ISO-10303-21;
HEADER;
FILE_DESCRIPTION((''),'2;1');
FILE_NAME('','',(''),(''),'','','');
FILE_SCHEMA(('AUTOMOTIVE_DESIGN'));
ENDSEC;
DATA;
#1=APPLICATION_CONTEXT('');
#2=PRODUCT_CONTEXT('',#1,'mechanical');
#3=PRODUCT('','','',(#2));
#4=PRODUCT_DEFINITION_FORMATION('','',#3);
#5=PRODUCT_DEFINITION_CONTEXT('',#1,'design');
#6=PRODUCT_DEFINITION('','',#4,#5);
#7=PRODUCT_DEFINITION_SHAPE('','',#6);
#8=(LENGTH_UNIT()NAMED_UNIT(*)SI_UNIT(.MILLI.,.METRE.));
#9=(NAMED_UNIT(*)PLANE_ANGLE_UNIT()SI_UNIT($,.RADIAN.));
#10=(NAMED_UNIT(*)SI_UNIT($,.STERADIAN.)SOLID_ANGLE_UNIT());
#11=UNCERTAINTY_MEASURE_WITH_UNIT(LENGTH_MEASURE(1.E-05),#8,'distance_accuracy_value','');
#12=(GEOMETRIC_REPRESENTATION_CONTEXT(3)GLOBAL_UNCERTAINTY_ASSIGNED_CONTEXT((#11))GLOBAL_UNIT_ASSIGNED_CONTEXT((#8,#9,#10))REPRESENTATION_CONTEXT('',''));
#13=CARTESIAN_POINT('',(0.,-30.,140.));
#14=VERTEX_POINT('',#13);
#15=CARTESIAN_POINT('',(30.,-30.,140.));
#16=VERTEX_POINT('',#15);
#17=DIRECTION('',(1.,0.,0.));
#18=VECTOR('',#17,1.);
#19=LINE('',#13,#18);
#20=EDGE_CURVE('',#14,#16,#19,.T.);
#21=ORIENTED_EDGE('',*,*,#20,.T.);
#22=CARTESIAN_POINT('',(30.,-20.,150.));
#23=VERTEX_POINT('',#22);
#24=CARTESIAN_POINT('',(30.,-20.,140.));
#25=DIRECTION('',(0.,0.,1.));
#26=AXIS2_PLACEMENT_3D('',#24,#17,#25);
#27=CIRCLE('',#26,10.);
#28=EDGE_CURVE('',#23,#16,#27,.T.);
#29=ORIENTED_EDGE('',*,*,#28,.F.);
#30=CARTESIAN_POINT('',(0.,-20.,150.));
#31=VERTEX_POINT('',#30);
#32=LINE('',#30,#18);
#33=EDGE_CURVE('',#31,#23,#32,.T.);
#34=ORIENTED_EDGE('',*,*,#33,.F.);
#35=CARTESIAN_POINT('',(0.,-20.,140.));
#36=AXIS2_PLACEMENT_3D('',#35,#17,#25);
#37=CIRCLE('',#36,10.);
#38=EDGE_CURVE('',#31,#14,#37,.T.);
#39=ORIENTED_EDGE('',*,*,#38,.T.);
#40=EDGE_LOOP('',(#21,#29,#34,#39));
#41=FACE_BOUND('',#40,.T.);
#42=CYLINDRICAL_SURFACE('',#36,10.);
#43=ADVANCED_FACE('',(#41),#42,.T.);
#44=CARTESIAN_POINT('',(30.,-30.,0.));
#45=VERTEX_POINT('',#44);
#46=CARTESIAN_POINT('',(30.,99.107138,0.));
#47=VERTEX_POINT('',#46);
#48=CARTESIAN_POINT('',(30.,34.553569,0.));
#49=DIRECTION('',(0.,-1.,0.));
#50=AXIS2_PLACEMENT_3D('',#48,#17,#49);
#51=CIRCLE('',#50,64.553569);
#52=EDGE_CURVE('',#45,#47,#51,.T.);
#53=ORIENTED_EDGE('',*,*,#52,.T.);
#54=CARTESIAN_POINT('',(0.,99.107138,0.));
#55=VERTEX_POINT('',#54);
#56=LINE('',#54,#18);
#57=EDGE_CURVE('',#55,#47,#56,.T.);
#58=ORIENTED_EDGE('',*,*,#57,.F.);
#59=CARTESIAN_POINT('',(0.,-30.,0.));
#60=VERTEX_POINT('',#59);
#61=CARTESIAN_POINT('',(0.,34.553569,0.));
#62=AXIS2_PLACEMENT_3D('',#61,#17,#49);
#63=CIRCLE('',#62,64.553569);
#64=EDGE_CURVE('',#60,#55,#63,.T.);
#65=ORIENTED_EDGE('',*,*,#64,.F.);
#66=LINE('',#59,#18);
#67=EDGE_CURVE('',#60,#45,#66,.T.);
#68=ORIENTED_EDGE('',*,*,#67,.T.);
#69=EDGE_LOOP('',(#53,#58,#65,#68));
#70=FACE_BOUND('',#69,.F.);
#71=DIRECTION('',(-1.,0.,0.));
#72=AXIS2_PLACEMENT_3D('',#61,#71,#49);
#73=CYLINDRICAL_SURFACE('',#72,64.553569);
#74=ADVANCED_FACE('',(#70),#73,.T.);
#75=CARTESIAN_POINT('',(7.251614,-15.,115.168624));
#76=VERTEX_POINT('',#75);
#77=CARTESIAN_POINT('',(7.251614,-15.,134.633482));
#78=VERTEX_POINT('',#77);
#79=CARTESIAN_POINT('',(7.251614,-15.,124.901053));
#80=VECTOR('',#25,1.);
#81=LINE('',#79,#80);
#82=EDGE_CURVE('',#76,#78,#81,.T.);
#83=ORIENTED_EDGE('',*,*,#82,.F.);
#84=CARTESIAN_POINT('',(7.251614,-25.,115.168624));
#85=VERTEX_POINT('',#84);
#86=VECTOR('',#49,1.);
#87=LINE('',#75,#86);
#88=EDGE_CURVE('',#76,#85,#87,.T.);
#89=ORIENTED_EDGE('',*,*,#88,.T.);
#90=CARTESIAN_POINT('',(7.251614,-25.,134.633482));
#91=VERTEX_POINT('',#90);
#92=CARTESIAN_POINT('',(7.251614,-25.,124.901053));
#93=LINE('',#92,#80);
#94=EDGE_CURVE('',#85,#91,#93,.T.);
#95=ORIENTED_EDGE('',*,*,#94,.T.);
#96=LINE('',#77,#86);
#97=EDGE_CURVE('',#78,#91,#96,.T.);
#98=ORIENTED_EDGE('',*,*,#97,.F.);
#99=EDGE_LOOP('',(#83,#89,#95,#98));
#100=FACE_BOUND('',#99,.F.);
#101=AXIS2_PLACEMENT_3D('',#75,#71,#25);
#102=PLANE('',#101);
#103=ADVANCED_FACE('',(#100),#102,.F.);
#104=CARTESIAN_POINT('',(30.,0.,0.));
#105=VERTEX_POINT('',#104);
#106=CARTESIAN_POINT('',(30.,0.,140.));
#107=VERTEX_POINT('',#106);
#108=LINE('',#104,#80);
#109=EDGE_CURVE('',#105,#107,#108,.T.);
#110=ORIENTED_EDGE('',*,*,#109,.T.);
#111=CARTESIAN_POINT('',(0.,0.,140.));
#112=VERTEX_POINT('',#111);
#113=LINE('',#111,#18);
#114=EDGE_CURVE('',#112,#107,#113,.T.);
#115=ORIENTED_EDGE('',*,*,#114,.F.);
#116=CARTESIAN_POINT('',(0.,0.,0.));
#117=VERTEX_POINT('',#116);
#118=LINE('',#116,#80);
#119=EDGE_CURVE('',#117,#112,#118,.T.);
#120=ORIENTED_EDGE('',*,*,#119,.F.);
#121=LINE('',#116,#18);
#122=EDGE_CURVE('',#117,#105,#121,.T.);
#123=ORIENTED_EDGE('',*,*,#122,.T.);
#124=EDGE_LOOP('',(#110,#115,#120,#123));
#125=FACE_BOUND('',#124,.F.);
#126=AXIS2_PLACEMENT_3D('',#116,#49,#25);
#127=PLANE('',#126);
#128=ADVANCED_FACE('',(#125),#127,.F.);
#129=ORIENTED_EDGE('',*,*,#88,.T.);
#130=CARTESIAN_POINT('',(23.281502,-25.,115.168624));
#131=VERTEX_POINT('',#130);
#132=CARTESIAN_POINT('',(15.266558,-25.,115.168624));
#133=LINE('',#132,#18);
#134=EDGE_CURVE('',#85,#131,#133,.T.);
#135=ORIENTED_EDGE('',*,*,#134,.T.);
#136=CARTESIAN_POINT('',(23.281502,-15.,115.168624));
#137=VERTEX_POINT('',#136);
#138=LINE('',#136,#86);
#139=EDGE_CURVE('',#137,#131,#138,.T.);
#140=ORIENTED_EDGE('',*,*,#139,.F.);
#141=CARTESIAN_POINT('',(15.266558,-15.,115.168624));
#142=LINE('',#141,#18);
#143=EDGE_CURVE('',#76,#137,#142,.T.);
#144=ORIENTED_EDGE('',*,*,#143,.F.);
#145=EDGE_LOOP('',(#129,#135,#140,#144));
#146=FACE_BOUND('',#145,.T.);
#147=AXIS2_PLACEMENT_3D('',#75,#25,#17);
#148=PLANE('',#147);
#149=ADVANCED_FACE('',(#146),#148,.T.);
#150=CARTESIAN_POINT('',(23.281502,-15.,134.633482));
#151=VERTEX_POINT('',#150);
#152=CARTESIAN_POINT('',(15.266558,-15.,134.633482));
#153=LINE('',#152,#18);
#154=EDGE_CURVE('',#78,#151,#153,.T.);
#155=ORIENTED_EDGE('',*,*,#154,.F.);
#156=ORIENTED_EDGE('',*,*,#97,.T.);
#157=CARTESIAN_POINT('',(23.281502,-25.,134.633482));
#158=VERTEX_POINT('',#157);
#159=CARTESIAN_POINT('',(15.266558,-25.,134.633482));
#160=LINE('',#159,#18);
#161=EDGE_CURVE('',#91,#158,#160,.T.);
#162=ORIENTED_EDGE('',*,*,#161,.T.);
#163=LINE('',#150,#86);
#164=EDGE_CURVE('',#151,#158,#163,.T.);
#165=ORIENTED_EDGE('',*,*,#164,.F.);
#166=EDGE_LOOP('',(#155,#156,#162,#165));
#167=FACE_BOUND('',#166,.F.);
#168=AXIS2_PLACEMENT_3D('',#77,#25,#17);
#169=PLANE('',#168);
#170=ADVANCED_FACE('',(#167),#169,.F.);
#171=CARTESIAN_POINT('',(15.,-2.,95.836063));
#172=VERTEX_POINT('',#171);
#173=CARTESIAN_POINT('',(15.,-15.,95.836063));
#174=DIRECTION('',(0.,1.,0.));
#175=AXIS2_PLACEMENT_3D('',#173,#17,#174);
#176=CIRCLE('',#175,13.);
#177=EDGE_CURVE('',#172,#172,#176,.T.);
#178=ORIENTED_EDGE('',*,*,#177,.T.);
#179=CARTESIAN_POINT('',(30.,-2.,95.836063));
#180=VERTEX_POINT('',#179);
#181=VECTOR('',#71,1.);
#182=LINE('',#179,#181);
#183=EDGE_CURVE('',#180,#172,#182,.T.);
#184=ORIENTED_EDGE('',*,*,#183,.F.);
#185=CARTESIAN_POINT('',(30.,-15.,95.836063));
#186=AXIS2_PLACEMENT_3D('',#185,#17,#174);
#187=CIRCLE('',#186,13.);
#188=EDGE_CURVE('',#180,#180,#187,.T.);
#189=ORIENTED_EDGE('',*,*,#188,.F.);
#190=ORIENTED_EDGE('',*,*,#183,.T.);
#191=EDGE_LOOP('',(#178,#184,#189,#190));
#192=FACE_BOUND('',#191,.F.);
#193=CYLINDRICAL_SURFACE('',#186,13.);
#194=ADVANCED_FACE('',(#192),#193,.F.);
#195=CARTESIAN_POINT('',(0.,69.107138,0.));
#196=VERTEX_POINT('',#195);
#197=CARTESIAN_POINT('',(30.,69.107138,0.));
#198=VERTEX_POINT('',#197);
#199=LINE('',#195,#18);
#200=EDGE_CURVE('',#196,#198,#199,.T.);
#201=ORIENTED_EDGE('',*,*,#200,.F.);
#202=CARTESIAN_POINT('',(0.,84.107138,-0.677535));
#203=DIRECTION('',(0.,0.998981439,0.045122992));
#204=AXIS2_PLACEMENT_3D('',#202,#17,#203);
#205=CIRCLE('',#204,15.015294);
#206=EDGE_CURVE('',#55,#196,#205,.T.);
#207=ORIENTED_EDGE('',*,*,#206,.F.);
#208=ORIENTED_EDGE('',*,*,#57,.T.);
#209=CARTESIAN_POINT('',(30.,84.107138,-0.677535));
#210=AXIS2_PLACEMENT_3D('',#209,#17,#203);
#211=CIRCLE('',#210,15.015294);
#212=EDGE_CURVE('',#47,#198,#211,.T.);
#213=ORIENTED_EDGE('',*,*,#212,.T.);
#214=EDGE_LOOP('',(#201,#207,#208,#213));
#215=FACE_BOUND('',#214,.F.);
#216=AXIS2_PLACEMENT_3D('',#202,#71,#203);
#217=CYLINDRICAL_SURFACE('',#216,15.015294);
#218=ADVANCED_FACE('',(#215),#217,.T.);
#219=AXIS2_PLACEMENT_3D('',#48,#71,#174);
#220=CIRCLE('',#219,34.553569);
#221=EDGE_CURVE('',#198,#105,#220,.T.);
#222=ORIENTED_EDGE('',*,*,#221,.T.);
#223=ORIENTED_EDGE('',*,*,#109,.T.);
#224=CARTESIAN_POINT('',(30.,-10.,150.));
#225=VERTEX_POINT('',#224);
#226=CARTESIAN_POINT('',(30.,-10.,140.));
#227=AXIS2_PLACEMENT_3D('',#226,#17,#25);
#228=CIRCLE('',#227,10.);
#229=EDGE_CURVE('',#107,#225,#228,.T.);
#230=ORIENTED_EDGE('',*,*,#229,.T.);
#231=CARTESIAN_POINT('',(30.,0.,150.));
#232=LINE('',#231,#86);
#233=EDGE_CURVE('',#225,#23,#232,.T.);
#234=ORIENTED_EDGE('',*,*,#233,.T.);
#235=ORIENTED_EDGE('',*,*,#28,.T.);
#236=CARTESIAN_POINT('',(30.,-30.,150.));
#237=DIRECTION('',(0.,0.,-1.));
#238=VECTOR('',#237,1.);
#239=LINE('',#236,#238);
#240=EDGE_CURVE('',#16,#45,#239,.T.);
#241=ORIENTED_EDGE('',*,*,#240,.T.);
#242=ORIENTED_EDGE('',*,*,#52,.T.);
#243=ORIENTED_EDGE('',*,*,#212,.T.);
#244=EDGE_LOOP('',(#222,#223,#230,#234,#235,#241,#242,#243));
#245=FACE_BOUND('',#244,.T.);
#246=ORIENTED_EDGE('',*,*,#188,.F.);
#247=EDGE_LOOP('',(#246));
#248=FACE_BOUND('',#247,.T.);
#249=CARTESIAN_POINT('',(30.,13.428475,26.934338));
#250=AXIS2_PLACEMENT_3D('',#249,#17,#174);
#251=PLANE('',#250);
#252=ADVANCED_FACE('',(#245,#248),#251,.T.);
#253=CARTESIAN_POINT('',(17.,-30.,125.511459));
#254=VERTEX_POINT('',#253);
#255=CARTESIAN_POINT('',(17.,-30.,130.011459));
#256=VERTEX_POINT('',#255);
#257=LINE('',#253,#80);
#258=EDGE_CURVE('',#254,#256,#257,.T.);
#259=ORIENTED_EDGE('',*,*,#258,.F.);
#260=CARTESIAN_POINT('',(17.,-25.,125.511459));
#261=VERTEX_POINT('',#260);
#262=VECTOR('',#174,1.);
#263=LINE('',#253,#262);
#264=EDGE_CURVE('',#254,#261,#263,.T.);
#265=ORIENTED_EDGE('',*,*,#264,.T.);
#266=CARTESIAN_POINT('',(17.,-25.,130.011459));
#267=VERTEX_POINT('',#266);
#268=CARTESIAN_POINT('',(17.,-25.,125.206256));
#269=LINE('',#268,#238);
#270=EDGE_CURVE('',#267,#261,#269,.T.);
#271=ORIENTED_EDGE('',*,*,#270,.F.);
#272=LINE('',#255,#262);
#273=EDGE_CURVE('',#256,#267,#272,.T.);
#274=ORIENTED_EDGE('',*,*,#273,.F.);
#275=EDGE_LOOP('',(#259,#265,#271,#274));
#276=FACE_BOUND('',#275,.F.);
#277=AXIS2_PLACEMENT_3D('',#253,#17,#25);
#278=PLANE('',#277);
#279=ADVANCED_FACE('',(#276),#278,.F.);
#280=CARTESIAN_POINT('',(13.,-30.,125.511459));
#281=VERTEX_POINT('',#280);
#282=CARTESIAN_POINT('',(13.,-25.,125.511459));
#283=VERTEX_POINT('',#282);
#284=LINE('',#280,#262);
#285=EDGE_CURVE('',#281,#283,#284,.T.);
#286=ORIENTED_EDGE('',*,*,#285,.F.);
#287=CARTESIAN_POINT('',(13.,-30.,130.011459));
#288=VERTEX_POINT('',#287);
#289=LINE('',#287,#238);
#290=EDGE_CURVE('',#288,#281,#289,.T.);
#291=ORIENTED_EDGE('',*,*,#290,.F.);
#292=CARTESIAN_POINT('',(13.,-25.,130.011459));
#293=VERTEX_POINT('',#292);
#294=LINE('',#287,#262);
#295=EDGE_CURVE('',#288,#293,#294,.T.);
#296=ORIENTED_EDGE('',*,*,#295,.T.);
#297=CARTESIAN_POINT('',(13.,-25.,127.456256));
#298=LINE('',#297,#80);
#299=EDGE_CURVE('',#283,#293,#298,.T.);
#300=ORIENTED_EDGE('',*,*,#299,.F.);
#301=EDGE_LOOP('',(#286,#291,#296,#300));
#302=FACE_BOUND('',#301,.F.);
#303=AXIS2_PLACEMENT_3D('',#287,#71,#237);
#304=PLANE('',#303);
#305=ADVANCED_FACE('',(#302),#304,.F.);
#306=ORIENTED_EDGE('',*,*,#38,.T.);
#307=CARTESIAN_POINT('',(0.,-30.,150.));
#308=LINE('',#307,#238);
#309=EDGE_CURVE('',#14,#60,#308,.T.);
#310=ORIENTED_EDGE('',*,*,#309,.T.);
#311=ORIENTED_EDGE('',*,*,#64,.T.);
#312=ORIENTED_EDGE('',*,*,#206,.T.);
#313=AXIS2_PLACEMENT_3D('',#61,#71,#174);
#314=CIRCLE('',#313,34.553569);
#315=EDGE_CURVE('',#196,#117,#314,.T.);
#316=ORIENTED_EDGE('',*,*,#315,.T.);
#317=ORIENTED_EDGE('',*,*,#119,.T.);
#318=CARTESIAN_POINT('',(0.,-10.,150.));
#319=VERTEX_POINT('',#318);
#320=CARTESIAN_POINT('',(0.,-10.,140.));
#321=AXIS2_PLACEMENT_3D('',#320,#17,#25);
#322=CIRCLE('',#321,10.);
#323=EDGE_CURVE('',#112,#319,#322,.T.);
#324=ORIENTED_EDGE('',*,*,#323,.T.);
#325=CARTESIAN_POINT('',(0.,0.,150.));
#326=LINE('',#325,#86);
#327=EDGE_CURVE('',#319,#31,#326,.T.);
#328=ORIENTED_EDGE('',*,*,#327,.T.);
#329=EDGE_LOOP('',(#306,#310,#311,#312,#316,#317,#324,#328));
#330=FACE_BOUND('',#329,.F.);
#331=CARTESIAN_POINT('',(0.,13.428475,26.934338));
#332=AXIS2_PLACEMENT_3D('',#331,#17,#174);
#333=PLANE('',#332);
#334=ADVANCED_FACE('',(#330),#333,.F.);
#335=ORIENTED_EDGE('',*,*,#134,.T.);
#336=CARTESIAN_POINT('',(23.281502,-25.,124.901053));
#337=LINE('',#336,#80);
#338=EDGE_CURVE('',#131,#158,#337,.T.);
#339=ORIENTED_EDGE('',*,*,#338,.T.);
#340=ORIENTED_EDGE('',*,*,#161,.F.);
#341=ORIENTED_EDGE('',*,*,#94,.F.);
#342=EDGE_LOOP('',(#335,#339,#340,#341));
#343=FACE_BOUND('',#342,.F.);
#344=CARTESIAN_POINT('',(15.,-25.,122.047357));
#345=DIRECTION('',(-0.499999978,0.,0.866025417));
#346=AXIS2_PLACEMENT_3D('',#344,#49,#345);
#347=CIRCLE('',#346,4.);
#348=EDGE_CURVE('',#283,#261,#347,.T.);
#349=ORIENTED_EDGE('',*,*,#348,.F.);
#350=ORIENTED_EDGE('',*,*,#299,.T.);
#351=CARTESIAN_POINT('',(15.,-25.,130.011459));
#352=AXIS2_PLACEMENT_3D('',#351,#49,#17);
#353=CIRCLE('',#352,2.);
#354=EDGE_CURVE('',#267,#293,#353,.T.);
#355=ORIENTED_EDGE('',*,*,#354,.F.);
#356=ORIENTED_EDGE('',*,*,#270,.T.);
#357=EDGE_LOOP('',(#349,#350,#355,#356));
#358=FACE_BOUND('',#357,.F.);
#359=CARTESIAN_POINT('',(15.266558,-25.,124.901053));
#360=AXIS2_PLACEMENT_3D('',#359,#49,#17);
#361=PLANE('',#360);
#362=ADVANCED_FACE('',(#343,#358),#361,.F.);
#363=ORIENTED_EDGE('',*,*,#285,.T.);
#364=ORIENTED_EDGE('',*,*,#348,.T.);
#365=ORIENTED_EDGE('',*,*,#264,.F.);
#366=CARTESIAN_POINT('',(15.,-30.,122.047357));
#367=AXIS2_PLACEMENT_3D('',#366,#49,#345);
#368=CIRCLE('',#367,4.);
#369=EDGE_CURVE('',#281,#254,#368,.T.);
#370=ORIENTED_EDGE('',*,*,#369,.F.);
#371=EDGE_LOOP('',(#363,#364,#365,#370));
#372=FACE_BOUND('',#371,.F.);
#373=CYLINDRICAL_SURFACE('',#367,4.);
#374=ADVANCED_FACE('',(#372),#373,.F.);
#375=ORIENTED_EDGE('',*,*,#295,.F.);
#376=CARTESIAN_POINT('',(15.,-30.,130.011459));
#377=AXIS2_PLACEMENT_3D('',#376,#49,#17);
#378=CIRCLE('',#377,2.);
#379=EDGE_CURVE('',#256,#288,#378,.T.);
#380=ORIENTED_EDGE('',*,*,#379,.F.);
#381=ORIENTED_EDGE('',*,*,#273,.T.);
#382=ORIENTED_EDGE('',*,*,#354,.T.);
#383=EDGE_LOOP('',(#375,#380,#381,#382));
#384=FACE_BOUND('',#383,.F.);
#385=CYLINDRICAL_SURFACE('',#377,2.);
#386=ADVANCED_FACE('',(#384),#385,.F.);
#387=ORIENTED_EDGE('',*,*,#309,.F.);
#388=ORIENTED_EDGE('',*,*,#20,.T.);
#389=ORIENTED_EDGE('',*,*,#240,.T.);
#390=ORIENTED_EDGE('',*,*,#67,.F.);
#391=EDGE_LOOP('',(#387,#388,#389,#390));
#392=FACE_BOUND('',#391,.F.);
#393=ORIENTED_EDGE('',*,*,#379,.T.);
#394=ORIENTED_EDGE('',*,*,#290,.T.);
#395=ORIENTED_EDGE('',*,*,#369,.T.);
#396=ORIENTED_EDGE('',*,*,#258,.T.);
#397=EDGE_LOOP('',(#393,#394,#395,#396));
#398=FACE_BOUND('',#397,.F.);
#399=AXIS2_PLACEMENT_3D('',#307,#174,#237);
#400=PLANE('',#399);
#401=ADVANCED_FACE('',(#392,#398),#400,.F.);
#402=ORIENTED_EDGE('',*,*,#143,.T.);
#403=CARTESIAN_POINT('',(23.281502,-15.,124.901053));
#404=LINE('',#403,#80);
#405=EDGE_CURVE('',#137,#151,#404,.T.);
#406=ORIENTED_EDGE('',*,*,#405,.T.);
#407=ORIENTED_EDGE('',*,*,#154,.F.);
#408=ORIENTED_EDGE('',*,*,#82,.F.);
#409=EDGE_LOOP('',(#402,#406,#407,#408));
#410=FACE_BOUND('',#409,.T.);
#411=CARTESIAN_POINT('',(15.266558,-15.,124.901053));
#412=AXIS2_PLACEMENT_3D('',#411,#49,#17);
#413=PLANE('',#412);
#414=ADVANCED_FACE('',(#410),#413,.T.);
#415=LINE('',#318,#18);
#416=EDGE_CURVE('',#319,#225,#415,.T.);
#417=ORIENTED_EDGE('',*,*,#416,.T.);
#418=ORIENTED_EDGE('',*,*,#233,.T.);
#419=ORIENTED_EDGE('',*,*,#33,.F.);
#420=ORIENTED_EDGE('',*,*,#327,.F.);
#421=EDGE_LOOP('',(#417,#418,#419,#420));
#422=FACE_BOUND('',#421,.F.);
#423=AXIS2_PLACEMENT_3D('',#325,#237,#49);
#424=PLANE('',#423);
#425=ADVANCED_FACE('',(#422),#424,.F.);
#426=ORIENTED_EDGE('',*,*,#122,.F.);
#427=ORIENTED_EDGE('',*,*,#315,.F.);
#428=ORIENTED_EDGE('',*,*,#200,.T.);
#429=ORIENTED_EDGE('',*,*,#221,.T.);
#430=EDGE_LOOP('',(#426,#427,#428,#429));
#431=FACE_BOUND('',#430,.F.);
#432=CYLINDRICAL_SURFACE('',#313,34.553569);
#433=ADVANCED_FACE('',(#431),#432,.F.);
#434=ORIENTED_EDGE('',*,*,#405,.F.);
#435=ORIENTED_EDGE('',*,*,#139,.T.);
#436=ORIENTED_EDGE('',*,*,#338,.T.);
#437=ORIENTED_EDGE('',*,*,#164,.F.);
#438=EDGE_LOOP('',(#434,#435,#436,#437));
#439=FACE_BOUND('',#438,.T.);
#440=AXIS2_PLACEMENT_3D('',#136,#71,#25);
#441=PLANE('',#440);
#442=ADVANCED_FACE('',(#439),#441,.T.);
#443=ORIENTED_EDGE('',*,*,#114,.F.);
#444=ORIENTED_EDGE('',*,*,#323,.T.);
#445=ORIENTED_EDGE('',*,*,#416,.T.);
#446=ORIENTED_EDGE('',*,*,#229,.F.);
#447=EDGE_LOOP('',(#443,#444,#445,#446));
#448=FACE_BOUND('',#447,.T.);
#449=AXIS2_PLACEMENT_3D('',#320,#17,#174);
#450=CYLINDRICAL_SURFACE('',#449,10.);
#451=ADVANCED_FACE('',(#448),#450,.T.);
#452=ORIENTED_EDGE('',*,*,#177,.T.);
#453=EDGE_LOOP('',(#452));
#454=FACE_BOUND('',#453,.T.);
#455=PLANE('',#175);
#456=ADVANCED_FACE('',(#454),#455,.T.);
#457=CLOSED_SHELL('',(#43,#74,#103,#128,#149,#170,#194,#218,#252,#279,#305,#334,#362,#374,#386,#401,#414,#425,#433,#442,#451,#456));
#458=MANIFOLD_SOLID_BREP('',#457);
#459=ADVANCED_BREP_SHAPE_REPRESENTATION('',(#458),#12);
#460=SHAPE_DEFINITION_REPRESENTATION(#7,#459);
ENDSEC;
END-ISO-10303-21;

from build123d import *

# Parameters (mm, degrees)
F1_DEPTH = 30
F2_R     = 13
F3_DEPTH = 15
F5_DEPTH = 15
F6_W     = 16.029888
F6_H     = 19.464858
F7_DEPTH = 10
F8_R     = 10


with BuildPart() as f1:
    # F0 (on Right) → F1 (new body)
    with BuildSketch(Plane.YZ):
        with BuildLine():
            ThreePointArc((69.107138, 0), (34.553569, -34.553569), (0, 0))
            Line((0, 0), (0, 150))
            Line((0, 150), (-30, 150))
            Line((-30, 150), (-30, 0))
            ThreePointArc((-30, 0), (34.553569, -64.553569), (99.107138, 0))
            ThreePointArc((99.107138, 0), (84.107138, 14.337759), (69.107138, 0))
        make_face()
    extrude(amount=F1_DEPTH)

    # F2 (on face) → F3 (cut)
    with BuildSketch(Plane.YZ.offset(30)):
        with Locations((-15, 95.836063)):
            Circle(F2_R)
    extrude(amount=-F3_DEPTH, mode=Mode.SUBTRACT)

    # F4 (on face) → F5 (cut)
    with BuildSketch(Plane.XZ.offset(30)):
        with BuildLine():
            Line((13, 130.011459), (13, 125.511459))
            ThreePointArc((13, 125.511459), (15, 118.047357), (17, 125.511459))
            Line((17, 125.511459), (17, 130.011459))
            ThreePointArc((17, 130.011459), (15, 132.011459), (13, 130.011459))
        make_face()
    extrude(amount=-F5_DEPTH, mode=Mode.SUBTRACT)

    # F6 (on face) → F7 (cut)
    with BuildSketch(Plane.XZ.offset(15)):
        with Locations((15.266558, 124.901053)):
            Rectangle(F6_W, F6_H)
    extrude(amount=F7_DEPTH, mode=Mode.SUBTRACT)

    # F8
    f8_edges = [f1.edges().sort_by_distance(p)[0] for p in [
        (15, 0, 150),
        (15, -30, 150),
    ]]
    fillet(f8_edges, radius=F8_R)


solid = f1.part
